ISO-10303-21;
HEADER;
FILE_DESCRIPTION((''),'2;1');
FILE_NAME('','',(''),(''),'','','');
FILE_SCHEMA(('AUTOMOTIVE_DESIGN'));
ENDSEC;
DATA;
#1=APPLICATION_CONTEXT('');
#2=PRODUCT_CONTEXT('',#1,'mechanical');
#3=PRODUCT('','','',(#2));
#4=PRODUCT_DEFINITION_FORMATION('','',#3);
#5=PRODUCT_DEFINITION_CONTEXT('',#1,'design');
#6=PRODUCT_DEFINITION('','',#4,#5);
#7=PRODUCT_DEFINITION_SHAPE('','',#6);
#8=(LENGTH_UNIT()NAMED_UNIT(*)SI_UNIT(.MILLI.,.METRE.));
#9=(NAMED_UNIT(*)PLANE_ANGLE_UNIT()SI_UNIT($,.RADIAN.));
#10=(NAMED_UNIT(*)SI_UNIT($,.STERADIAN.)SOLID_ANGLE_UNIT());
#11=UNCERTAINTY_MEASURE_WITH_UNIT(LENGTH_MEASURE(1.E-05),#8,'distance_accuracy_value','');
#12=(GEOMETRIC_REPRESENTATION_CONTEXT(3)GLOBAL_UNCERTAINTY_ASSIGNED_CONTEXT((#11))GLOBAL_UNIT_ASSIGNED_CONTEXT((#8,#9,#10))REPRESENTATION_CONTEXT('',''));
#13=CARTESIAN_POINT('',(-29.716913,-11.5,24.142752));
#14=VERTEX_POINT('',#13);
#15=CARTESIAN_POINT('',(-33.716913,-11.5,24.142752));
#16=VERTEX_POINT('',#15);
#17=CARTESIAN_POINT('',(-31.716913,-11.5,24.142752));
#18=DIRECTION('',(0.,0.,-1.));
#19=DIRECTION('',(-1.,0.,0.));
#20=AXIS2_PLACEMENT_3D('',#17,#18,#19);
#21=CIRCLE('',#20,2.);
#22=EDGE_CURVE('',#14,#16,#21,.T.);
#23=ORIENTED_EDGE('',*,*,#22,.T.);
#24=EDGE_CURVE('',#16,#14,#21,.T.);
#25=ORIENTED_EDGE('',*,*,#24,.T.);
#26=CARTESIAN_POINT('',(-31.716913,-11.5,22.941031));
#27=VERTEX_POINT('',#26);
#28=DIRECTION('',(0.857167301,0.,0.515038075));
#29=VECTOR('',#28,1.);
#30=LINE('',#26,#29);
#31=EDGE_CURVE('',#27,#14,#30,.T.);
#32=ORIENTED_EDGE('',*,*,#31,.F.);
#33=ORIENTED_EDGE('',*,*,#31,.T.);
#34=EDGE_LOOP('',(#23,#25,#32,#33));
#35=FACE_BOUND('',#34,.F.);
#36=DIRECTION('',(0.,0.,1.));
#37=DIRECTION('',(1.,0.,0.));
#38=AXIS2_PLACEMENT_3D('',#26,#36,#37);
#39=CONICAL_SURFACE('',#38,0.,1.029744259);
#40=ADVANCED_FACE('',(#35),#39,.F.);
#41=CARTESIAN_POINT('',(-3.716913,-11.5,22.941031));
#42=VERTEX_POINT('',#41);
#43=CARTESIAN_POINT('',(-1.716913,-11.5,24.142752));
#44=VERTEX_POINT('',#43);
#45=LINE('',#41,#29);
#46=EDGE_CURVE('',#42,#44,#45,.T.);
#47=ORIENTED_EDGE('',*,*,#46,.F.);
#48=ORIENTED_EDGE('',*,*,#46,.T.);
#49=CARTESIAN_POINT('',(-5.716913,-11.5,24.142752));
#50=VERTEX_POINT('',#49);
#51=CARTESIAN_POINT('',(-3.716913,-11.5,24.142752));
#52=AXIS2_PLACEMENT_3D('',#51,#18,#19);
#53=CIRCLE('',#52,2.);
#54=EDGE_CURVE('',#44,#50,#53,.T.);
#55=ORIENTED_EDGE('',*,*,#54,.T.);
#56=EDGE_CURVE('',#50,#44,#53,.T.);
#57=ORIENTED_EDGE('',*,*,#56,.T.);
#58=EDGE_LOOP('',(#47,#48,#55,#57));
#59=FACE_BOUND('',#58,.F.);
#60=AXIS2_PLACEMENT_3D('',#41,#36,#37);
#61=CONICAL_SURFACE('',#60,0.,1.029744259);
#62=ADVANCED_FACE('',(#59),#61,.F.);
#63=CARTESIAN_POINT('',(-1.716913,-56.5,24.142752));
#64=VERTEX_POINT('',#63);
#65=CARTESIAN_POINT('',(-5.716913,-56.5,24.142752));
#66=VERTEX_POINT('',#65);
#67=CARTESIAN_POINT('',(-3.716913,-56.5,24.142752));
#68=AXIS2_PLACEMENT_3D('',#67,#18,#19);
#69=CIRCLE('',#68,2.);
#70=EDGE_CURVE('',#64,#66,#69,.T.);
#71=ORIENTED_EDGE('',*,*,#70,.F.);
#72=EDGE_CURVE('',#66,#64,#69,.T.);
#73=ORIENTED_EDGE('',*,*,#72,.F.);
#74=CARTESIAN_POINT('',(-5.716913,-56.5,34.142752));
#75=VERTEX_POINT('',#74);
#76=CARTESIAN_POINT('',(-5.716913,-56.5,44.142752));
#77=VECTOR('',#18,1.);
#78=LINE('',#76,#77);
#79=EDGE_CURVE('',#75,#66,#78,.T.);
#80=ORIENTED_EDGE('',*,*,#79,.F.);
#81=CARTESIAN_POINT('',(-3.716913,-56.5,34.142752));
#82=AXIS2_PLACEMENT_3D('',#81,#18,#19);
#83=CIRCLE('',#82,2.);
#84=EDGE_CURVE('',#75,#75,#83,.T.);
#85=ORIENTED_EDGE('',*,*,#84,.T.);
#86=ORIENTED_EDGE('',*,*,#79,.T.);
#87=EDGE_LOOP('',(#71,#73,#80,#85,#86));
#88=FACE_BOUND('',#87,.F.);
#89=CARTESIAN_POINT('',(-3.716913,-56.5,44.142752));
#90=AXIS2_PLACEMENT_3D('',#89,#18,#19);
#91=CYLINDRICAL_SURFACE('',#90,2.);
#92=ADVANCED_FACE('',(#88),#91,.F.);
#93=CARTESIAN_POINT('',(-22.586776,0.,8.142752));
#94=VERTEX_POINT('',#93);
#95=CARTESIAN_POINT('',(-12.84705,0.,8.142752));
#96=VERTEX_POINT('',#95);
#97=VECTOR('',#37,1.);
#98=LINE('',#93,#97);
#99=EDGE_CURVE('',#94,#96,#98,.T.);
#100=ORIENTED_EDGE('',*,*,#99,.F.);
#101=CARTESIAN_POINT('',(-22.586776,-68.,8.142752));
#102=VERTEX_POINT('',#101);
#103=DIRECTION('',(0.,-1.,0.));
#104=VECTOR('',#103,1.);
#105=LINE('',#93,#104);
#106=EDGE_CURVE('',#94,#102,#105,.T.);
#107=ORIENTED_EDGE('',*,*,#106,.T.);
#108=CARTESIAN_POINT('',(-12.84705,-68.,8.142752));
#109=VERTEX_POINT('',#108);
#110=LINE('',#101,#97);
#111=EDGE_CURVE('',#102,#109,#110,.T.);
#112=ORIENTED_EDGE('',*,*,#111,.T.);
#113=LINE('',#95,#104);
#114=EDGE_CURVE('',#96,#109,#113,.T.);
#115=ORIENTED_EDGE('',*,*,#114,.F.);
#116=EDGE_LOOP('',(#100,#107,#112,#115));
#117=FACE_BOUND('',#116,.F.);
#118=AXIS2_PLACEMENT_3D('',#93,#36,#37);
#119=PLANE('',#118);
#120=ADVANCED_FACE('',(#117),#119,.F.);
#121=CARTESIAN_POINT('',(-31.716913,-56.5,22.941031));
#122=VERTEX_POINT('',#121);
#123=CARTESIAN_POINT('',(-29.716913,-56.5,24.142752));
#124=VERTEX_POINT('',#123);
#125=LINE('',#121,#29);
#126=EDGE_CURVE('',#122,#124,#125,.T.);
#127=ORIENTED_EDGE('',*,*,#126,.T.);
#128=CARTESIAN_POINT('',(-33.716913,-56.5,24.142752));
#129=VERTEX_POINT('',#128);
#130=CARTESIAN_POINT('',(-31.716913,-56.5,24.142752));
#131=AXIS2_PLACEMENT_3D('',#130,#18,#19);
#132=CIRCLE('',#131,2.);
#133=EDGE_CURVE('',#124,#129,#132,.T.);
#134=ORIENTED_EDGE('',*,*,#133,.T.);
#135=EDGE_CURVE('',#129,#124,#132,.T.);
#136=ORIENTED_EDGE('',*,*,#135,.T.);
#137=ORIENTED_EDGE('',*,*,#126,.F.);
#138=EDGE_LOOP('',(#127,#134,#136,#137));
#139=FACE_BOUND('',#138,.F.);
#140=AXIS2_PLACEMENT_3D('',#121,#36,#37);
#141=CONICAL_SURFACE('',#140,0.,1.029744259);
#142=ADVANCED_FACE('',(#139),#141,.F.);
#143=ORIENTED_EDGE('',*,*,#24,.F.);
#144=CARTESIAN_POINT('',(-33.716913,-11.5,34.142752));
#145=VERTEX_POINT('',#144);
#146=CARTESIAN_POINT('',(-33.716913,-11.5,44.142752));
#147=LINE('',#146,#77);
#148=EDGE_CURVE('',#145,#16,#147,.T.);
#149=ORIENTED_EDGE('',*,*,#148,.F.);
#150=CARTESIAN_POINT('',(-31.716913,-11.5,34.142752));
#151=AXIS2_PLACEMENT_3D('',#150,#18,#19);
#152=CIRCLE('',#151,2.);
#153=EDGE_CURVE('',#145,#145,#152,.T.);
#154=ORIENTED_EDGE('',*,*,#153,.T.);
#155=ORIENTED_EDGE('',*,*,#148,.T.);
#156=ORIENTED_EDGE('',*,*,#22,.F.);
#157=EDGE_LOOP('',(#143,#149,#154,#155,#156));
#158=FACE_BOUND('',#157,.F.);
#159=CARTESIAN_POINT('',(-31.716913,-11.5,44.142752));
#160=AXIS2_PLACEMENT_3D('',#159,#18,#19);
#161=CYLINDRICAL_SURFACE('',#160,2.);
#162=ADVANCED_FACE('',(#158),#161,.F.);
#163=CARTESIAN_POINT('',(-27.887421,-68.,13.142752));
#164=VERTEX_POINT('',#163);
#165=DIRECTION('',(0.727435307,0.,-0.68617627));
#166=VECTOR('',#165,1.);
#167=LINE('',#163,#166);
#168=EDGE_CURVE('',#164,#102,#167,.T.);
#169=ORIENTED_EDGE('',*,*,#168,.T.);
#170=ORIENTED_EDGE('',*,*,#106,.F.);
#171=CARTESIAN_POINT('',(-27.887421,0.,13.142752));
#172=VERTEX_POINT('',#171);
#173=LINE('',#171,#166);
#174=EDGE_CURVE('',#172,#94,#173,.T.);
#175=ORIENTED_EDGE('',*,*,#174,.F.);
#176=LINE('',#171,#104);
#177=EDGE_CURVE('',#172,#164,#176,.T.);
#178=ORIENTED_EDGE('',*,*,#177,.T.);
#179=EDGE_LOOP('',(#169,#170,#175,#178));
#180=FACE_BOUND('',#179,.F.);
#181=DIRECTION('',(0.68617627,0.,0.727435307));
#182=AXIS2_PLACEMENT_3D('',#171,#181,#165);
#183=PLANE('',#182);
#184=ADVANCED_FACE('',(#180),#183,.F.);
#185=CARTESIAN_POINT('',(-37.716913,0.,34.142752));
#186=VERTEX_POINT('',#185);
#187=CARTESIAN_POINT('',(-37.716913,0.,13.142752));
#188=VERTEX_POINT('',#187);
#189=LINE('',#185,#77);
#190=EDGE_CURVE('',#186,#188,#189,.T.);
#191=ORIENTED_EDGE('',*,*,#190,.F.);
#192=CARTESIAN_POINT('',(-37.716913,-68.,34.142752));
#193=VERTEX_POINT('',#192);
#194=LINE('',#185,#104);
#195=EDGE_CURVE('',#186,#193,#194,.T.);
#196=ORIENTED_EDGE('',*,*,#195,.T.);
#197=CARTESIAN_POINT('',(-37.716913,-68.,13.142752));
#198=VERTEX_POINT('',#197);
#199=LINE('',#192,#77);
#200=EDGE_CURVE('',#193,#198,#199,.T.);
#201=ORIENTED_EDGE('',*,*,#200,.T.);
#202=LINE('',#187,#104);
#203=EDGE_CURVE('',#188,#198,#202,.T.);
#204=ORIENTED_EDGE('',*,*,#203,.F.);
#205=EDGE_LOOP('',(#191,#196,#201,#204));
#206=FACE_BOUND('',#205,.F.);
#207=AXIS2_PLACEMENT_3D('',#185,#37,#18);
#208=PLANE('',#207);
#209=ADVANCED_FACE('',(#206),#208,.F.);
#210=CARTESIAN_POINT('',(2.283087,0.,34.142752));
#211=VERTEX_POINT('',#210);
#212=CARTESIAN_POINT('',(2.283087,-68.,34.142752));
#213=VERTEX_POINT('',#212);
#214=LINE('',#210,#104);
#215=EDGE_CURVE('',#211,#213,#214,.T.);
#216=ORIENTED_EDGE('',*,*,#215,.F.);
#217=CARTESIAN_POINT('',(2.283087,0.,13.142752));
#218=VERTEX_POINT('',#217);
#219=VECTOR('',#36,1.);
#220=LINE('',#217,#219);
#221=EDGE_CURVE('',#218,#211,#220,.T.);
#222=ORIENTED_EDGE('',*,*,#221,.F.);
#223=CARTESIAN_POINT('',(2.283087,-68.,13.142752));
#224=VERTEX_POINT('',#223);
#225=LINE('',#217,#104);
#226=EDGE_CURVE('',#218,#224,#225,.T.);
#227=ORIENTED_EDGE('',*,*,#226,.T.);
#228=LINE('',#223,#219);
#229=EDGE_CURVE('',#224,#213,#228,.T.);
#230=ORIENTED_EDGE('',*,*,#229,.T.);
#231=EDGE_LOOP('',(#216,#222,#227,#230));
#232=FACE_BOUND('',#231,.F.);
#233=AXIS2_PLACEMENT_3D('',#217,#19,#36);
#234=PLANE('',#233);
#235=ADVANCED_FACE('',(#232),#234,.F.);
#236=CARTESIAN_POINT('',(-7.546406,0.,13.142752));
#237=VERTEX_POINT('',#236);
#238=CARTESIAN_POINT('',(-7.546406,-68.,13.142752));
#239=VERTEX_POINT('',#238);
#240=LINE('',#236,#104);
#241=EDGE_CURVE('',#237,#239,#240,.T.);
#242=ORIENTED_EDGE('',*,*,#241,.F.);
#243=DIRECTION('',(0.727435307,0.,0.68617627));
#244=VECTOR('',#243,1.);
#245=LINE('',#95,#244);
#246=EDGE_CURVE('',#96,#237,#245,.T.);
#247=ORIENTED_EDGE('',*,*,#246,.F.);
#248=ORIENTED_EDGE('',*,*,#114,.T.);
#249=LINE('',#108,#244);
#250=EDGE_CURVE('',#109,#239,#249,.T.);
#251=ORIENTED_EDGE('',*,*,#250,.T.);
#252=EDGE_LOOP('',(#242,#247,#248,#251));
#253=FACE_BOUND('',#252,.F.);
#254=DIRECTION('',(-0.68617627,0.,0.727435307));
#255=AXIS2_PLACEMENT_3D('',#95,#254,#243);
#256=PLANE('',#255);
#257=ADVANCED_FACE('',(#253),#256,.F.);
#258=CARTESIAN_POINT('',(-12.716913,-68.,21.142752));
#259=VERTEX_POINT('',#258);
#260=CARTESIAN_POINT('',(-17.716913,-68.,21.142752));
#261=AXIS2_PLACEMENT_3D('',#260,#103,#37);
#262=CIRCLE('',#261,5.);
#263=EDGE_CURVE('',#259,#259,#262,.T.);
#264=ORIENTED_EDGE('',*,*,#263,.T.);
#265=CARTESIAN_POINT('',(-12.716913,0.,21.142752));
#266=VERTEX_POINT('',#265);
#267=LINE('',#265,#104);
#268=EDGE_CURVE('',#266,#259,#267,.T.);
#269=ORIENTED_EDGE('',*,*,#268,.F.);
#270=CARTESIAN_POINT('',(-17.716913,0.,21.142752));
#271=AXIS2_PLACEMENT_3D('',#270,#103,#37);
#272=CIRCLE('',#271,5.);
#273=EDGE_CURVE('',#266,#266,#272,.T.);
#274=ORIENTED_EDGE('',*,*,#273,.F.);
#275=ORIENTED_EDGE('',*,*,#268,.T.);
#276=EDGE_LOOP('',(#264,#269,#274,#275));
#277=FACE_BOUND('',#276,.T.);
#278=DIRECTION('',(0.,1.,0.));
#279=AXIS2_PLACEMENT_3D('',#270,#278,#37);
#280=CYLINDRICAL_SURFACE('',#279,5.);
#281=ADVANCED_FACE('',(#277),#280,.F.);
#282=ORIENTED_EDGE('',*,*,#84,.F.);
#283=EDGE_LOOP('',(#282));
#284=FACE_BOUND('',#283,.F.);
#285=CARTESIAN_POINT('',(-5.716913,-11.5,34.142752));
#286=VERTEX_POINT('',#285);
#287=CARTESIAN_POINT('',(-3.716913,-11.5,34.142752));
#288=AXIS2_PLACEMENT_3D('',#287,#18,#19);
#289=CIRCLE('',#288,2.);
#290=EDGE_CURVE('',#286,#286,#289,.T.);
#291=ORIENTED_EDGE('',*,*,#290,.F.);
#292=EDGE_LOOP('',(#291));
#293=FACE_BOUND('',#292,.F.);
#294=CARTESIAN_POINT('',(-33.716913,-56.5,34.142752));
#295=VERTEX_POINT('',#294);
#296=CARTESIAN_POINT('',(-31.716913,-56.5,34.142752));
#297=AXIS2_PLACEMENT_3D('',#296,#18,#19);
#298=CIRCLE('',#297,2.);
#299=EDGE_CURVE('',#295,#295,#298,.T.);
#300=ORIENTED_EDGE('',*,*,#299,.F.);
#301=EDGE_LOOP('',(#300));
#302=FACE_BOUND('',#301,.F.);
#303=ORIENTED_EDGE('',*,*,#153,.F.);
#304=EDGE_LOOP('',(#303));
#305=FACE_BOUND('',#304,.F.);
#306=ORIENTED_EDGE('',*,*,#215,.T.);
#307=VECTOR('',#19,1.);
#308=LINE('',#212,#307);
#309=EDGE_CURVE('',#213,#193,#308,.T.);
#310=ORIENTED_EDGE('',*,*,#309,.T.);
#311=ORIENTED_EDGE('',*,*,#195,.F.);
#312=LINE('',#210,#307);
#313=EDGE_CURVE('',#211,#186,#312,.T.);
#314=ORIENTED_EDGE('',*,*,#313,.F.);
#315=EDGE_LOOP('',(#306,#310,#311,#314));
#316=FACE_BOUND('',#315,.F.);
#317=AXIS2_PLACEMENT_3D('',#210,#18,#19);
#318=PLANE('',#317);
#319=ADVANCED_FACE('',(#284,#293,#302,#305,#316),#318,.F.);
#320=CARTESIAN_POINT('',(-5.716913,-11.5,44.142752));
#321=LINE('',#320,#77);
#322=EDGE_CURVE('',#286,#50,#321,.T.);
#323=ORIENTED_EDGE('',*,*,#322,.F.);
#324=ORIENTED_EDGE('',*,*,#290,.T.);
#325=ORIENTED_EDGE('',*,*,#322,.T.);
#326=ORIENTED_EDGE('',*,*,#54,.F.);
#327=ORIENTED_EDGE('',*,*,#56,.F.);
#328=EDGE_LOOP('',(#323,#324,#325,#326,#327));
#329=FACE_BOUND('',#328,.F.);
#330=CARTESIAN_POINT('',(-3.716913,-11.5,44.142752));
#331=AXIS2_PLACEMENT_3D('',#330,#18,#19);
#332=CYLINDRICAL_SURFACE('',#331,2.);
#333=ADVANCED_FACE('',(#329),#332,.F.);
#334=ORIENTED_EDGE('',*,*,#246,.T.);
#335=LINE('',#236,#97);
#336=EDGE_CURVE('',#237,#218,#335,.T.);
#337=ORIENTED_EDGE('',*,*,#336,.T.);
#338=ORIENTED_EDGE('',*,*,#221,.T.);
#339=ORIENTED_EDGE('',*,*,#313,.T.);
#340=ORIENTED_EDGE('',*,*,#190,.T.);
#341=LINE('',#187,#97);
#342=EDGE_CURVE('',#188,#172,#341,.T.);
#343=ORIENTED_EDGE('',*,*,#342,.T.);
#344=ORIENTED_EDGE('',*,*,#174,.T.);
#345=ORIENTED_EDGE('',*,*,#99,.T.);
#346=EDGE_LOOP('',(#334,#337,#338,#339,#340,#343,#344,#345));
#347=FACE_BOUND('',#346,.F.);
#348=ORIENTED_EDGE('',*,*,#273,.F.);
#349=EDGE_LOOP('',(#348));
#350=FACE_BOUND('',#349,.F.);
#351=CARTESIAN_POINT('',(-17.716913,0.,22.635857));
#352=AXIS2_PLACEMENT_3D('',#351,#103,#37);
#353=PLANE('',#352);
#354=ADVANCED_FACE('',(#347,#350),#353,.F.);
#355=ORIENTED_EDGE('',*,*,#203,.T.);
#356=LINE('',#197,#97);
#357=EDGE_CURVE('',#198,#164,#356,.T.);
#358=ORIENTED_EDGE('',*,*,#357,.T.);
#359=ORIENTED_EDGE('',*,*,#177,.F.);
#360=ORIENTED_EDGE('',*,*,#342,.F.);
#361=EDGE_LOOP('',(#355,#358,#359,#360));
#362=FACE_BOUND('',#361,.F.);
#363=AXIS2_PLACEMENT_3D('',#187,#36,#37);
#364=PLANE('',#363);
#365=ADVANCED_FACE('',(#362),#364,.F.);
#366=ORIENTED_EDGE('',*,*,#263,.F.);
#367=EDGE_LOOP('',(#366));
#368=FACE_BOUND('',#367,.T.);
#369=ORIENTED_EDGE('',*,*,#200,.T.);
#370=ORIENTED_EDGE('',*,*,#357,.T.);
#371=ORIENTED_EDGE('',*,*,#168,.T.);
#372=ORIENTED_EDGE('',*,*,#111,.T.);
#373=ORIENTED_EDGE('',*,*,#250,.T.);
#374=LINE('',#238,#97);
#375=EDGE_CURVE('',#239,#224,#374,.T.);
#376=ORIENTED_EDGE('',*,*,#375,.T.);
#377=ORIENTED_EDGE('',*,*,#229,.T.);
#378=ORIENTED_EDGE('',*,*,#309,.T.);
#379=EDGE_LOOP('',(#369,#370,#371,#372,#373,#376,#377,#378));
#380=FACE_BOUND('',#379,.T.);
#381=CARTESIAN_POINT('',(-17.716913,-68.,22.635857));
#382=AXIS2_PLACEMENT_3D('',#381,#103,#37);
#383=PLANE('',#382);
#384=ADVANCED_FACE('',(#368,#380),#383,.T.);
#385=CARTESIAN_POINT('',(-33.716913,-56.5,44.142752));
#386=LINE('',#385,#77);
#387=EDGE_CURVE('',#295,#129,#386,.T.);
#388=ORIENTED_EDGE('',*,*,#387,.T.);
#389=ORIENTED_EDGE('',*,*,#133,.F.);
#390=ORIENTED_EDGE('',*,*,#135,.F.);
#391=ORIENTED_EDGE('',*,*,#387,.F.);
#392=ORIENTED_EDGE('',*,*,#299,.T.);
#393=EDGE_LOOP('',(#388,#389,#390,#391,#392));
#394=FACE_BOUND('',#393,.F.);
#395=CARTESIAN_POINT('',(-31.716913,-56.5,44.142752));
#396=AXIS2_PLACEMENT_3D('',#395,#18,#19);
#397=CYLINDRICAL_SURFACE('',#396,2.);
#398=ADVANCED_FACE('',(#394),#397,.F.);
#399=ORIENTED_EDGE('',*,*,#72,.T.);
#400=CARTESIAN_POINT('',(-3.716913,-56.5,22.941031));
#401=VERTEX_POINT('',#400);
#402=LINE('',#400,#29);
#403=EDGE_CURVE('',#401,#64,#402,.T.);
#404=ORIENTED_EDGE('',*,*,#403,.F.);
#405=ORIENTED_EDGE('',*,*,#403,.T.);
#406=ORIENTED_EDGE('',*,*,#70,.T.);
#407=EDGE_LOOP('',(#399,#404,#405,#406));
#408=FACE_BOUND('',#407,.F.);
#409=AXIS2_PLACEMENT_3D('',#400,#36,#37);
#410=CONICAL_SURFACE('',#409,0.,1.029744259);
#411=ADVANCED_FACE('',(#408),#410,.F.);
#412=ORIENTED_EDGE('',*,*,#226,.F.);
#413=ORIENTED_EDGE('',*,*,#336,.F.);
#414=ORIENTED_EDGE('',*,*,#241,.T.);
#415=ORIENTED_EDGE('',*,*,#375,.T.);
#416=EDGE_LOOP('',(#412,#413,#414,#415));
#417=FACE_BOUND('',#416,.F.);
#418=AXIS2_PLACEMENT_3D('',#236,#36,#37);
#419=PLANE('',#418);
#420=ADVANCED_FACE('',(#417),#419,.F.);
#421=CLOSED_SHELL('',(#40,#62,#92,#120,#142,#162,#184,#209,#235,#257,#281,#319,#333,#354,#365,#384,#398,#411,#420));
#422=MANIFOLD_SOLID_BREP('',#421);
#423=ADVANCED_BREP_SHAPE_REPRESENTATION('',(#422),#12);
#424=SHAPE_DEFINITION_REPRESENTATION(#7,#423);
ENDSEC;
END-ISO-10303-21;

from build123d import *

# Parameters (mm, degrees)
F0_R     = 5
F1_DEPTH = 68
F3_D     = 4
F3_DEPTH = 10
F3_TIP   = 1.2017212381


with BuildPart() as f1:
    # F0 (on Front) → F1 (new body)
    with BuildSketch(Plane.XZ):
        Polygon((2.2830869555, 34.1427520012), (-37.7169130445, 34.1427520012), (-37.7169130445, 13.1427520012), (-27.8874205338, 13.1427520012), (-22.5867759436, 8.1427520012), (-12.8470501453, 8.1427520012), (-7.5464055551, 13.1427520012), (2.2830869555, 13.1427520012), align=None)
        with Locations((-17.7169130445, 21.1427520012)):
            Circle(F0_R, mode=Mode.SUBTRACT)
    extrude(amount=F1_DEPTH)

    # F3
    with Locations(Plane.XY.offset(34.1427520012)):
        with Locations((-31.7169130445, -11.5), (-31.7169130445, -56.5), (-3.7169130445, -11.5), (-3.7169130445, -56.5)):
            Hole(F3_D / 2, depth=F3_DEPTH)
            with Locations((0, 0, -(F3_DEPTH + F3_TIP / 2))):  # 118° drill point
                Cone(0, F3_D / 2, F3_TIP, mode=Mode.SUBTRACT)


solid = f1.part
